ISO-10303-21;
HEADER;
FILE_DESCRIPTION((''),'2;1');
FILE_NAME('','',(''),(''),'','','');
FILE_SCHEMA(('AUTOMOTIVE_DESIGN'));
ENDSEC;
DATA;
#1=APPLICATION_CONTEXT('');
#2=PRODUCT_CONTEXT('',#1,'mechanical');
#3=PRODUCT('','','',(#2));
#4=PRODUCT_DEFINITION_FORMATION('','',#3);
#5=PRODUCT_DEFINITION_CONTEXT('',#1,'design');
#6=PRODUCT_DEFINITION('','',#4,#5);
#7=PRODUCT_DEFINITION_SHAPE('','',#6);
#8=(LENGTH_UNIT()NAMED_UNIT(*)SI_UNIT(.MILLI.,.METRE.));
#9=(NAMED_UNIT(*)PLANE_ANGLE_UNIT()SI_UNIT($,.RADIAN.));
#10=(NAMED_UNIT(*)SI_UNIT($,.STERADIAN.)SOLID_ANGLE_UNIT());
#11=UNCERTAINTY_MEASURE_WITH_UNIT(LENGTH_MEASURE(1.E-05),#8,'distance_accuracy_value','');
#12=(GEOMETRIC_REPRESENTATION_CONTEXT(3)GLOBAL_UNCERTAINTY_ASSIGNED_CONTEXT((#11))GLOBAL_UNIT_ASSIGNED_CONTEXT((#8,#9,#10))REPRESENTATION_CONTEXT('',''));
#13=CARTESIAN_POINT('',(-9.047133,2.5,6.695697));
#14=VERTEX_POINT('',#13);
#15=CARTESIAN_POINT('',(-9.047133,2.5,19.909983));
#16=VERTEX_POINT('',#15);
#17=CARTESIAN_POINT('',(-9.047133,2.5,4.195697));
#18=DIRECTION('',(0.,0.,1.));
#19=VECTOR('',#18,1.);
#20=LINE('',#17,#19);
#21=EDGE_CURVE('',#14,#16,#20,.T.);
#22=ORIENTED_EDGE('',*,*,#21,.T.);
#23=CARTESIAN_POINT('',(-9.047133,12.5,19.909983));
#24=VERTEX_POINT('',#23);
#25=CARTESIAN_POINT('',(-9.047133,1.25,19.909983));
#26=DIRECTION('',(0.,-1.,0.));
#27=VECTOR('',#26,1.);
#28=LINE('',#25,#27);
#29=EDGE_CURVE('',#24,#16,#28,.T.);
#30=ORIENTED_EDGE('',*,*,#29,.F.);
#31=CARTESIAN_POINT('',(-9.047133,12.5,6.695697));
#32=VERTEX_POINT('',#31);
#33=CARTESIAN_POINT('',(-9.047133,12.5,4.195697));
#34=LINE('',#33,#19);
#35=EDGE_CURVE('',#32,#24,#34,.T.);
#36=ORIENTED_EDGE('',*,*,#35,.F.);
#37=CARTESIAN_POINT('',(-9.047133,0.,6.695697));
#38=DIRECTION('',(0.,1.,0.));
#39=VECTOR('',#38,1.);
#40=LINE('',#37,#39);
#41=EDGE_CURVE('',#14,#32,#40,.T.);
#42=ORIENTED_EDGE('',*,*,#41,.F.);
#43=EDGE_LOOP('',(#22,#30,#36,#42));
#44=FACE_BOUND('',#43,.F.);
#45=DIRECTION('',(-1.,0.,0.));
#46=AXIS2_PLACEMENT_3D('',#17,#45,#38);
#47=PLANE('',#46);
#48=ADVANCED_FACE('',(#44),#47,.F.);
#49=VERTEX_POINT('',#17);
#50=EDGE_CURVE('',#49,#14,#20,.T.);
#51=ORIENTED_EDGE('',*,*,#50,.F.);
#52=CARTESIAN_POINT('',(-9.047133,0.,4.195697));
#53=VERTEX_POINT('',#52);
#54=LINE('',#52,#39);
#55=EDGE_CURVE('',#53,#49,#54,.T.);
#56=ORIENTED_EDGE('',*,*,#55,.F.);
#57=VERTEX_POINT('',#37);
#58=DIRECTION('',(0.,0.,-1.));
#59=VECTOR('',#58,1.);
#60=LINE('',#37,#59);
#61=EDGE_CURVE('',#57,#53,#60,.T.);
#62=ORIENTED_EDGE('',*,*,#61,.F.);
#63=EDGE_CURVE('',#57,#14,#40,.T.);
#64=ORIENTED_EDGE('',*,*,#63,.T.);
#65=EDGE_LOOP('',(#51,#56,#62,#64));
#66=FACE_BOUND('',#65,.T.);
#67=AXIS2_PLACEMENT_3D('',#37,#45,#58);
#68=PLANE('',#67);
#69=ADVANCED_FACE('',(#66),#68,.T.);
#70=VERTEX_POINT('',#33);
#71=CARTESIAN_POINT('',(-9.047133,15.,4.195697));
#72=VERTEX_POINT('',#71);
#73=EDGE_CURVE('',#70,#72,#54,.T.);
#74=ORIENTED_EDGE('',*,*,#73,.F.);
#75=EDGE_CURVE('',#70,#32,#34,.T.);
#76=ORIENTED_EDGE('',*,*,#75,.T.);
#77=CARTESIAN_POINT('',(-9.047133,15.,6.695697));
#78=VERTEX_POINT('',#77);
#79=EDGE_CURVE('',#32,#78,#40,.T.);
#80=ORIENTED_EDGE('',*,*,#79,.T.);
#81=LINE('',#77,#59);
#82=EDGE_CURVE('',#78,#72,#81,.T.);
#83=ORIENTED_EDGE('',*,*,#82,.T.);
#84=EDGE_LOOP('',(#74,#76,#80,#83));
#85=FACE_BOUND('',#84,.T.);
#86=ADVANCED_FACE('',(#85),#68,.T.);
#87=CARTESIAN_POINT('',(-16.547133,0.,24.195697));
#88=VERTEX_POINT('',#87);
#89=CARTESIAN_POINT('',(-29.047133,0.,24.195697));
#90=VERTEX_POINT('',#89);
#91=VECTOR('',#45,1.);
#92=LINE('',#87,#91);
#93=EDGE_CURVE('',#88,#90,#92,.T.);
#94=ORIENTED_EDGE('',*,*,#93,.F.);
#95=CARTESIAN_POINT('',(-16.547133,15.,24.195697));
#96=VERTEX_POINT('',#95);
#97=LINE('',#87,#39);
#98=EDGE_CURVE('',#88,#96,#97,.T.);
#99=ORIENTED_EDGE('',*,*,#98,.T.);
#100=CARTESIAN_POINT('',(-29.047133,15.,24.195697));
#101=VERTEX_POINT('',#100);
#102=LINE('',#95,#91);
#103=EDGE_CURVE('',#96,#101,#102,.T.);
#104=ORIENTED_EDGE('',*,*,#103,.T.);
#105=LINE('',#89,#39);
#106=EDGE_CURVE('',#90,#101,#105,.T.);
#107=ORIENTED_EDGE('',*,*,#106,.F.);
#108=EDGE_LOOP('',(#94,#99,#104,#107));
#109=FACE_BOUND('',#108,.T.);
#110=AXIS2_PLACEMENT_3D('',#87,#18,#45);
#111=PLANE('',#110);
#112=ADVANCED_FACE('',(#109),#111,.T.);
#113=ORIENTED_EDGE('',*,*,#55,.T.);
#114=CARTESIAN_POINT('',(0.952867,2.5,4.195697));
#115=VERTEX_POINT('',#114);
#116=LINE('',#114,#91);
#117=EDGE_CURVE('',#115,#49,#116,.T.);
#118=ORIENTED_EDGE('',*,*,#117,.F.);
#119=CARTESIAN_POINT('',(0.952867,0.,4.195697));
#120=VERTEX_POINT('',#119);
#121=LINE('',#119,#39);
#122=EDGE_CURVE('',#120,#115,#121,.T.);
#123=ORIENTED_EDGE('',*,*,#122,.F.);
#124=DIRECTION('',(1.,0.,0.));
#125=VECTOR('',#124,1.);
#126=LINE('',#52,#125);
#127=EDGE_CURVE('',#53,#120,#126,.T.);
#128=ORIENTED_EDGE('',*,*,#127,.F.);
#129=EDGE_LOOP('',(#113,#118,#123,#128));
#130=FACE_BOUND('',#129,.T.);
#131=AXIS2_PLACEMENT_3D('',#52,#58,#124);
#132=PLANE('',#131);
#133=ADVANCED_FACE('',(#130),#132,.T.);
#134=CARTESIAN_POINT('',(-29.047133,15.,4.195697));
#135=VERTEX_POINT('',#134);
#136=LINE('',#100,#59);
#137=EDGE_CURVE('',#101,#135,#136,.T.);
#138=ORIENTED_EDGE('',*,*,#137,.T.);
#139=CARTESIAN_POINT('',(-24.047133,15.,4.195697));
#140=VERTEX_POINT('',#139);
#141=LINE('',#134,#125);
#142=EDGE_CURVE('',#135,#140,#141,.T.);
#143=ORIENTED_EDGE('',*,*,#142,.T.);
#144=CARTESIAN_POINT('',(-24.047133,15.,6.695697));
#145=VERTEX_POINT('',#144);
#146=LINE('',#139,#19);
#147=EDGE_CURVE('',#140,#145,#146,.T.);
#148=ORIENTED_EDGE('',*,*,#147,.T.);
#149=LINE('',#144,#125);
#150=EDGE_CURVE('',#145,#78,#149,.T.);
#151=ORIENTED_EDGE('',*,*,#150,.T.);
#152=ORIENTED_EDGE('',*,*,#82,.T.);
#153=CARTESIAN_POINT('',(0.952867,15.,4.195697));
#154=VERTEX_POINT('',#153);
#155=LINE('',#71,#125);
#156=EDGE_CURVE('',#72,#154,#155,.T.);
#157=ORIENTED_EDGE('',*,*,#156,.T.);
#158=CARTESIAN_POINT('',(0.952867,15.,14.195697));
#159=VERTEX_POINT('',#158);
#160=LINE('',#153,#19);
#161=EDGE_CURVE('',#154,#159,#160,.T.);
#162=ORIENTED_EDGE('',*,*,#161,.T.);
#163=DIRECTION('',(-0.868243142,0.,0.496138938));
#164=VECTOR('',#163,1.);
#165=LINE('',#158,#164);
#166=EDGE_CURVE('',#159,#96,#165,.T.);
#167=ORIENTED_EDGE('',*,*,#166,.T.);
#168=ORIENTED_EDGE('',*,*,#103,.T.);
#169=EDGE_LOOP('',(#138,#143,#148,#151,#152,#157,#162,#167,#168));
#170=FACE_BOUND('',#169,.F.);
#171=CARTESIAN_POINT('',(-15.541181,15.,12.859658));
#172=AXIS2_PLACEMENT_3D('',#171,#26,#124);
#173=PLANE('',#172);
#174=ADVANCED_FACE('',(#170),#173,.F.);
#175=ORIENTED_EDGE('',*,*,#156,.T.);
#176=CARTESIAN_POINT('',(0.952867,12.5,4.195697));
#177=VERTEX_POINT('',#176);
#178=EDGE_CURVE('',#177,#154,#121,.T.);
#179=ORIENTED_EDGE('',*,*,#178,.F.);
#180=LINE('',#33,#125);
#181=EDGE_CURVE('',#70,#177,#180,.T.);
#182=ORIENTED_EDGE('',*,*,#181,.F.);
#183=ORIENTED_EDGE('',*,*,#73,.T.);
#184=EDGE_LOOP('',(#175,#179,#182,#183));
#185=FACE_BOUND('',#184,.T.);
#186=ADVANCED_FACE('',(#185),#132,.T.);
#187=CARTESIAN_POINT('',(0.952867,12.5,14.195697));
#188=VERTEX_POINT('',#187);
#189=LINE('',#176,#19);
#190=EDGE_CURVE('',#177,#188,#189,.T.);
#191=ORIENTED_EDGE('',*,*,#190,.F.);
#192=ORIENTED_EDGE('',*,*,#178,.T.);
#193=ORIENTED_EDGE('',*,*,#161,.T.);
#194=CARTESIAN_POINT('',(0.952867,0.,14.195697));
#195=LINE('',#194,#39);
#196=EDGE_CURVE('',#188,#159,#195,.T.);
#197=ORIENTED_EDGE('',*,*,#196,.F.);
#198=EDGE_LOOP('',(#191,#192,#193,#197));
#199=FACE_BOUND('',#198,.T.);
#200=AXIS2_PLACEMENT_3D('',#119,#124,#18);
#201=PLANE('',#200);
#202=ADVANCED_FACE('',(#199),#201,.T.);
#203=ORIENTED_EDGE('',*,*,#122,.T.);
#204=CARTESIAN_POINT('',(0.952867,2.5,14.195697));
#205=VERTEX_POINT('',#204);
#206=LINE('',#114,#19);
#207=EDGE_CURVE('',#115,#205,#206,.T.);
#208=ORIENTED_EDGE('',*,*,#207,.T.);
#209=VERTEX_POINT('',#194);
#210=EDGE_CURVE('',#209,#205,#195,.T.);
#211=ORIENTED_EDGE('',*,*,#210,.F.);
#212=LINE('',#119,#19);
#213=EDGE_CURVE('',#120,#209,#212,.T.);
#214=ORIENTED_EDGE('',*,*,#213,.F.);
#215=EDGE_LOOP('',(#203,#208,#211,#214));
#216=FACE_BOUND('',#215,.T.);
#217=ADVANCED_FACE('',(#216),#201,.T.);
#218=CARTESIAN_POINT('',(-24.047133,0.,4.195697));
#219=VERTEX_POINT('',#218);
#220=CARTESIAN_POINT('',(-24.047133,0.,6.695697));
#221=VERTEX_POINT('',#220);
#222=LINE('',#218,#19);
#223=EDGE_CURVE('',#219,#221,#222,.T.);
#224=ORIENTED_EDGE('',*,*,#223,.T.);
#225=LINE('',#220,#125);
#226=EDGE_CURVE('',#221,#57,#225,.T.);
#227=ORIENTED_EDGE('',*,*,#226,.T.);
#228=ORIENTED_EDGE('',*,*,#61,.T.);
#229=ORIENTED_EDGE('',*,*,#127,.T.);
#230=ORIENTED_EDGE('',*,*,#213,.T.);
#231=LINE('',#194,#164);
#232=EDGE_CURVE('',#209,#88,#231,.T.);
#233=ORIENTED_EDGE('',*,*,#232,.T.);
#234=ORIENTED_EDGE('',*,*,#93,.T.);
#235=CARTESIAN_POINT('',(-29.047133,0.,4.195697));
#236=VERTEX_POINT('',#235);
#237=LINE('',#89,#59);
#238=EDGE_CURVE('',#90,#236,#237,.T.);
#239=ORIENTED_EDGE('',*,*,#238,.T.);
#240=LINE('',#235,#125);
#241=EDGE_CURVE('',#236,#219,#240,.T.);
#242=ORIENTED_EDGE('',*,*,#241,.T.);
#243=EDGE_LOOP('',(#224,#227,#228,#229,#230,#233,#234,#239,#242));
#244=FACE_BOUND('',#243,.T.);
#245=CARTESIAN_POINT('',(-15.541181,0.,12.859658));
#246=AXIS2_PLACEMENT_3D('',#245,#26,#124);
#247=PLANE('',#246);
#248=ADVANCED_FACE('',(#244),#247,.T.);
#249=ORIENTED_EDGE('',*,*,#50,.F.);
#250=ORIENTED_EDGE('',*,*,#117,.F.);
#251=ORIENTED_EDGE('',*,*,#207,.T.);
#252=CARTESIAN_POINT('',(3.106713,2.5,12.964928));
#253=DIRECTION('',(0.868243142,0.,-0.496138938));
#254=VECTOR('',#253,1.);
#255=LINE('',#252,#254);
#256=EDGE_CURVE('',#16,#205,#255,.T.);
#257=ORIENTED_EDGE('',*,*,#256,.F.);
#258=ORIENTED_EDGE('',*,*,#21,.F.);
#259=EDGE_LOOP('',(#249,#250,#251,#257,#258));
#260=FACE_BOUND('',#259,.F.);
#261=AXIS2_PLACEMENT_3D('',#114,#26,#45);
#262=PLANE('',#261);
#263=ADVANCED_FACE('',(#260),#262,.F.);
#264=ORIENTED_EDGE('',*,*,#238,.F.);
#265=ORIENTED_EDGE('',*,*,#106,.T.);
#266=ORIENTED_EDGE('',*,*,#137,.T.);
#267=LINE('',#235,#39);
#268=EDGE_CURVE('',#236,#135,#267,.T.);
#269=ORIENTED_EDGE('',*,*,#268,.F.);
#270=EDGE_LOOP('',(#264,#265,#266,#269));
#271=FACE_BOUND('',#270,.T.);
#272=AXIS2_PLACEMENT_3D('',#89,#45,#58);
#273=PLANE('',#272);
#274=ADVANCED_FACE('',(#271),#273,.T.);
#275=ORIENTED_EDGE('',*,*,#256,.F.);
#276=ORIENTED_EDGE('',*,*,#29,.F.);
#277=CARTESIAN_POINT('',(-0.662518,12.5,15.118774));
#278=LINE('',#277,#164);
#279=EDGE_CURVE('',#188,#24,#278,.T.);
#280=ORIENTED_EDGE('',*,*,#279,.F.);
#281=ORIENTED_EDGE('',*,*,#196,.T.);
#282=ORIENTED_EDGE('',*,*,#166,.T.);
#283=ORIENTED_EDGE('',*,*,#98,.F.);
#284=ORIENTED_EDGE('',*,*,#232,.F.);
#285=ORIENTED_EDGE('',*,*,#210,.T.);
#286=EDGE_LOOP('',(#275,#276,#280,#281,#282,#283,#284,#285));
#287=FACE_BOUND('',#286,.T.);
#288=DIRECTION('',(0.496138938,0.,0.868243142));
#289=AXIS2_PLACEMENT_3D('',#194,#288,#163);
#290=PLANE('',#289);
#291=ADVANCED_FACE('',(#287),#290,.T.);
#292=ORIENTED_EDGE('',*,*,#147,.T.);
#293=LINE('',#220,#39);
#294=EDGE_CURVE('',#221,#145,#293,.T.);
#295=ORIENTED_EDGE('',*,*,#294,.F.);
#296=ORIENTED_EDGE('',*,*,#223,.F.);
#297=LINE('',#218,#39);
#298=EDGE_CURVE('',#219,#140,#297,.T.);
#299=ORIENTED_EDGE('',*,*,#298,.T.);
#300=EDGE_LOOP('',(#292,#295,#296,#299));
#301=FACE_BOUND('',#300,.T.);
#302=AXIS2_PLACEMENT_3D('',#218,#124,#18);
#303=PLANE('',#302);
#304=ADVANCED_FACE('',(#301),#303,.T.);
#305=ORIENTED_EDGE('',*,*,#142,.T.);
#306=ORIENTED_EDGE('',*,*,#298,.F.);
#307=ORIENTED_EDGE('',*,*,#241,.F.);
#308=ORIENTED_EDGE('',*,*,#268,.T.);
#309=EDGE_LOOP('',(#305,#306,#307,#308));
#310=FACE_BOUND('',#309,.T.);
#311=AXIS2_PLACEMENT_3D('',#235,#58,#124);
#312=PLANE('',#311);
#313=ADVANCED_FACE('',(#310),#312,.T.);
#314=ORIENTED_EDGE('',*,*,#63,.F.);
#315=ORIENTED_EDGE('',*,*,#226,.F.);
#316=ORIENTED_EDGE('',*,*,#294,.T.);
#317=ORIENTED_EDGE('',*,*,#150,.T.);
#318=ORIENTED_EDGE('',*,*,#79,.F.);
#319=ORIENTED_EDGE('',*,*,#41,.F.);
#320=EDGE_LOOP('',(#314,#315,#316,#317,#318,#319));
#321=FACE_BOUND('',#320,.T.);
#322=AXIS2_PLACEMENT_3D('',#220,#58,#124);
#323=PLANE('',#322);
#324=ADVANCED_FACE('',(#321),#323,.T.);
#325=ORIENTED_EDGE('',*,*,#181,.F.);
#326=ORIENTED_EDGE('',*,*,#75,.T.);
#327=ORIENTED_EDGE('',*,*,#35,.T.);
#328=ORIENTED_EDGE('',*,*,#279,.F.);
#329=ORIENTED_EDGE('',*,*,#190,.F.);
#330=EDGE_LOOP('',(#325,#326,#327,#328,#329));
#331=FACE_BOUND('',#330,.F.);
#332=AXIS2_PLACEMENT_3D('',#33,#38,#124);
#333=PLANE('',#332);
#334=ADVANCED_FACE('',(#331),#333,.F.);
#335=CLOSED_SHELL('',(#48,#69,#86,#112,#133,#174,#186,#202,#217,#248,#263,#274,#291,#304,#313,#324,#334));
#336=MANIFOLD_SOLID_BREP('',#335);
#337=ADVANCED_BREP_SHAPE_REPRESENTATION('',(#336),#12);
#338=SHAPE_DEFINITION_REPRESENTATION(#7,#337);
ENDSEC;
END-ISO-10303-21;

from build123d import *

# Parameters (mm, degrees)
F1_DEPTH = 15
F3_DEPTH = 25


with BuildPart() as f1:
    # F0 (on Front) → F1 (new body)
    with BuildSketch(Plane.XZ):
        Polygon((-16.547133, 24.195697), (-29.047133, 24.195697), (-29.047133, 4.195697), (-24.047133, 4.195697), (-24.047133, 6.695697), (-9.047133, 6.695697), (-9.047133, 4.195697), (0.952867, 4.195697), (0.952867, 14.195697), align=None)
    extrude(amount=-F1_DEPTH)

    # F2 (on face) → F3 (cut)
    with BuildSketch(Plane(origin=(0, 0, 4.195697), x_dir=(1, 0, 0), z_dir=(0, 0, -1))):
        Polygon((0.952867, -12.5), (0.952867, -7.5), (0.952867, -2.5), (-9.047133, -2.5), (-9.047133, -12.5), align=None)
    extrude(amount=-F3_DEPTH, mode=Mode.SUBTRACT)


solid = f1.part
